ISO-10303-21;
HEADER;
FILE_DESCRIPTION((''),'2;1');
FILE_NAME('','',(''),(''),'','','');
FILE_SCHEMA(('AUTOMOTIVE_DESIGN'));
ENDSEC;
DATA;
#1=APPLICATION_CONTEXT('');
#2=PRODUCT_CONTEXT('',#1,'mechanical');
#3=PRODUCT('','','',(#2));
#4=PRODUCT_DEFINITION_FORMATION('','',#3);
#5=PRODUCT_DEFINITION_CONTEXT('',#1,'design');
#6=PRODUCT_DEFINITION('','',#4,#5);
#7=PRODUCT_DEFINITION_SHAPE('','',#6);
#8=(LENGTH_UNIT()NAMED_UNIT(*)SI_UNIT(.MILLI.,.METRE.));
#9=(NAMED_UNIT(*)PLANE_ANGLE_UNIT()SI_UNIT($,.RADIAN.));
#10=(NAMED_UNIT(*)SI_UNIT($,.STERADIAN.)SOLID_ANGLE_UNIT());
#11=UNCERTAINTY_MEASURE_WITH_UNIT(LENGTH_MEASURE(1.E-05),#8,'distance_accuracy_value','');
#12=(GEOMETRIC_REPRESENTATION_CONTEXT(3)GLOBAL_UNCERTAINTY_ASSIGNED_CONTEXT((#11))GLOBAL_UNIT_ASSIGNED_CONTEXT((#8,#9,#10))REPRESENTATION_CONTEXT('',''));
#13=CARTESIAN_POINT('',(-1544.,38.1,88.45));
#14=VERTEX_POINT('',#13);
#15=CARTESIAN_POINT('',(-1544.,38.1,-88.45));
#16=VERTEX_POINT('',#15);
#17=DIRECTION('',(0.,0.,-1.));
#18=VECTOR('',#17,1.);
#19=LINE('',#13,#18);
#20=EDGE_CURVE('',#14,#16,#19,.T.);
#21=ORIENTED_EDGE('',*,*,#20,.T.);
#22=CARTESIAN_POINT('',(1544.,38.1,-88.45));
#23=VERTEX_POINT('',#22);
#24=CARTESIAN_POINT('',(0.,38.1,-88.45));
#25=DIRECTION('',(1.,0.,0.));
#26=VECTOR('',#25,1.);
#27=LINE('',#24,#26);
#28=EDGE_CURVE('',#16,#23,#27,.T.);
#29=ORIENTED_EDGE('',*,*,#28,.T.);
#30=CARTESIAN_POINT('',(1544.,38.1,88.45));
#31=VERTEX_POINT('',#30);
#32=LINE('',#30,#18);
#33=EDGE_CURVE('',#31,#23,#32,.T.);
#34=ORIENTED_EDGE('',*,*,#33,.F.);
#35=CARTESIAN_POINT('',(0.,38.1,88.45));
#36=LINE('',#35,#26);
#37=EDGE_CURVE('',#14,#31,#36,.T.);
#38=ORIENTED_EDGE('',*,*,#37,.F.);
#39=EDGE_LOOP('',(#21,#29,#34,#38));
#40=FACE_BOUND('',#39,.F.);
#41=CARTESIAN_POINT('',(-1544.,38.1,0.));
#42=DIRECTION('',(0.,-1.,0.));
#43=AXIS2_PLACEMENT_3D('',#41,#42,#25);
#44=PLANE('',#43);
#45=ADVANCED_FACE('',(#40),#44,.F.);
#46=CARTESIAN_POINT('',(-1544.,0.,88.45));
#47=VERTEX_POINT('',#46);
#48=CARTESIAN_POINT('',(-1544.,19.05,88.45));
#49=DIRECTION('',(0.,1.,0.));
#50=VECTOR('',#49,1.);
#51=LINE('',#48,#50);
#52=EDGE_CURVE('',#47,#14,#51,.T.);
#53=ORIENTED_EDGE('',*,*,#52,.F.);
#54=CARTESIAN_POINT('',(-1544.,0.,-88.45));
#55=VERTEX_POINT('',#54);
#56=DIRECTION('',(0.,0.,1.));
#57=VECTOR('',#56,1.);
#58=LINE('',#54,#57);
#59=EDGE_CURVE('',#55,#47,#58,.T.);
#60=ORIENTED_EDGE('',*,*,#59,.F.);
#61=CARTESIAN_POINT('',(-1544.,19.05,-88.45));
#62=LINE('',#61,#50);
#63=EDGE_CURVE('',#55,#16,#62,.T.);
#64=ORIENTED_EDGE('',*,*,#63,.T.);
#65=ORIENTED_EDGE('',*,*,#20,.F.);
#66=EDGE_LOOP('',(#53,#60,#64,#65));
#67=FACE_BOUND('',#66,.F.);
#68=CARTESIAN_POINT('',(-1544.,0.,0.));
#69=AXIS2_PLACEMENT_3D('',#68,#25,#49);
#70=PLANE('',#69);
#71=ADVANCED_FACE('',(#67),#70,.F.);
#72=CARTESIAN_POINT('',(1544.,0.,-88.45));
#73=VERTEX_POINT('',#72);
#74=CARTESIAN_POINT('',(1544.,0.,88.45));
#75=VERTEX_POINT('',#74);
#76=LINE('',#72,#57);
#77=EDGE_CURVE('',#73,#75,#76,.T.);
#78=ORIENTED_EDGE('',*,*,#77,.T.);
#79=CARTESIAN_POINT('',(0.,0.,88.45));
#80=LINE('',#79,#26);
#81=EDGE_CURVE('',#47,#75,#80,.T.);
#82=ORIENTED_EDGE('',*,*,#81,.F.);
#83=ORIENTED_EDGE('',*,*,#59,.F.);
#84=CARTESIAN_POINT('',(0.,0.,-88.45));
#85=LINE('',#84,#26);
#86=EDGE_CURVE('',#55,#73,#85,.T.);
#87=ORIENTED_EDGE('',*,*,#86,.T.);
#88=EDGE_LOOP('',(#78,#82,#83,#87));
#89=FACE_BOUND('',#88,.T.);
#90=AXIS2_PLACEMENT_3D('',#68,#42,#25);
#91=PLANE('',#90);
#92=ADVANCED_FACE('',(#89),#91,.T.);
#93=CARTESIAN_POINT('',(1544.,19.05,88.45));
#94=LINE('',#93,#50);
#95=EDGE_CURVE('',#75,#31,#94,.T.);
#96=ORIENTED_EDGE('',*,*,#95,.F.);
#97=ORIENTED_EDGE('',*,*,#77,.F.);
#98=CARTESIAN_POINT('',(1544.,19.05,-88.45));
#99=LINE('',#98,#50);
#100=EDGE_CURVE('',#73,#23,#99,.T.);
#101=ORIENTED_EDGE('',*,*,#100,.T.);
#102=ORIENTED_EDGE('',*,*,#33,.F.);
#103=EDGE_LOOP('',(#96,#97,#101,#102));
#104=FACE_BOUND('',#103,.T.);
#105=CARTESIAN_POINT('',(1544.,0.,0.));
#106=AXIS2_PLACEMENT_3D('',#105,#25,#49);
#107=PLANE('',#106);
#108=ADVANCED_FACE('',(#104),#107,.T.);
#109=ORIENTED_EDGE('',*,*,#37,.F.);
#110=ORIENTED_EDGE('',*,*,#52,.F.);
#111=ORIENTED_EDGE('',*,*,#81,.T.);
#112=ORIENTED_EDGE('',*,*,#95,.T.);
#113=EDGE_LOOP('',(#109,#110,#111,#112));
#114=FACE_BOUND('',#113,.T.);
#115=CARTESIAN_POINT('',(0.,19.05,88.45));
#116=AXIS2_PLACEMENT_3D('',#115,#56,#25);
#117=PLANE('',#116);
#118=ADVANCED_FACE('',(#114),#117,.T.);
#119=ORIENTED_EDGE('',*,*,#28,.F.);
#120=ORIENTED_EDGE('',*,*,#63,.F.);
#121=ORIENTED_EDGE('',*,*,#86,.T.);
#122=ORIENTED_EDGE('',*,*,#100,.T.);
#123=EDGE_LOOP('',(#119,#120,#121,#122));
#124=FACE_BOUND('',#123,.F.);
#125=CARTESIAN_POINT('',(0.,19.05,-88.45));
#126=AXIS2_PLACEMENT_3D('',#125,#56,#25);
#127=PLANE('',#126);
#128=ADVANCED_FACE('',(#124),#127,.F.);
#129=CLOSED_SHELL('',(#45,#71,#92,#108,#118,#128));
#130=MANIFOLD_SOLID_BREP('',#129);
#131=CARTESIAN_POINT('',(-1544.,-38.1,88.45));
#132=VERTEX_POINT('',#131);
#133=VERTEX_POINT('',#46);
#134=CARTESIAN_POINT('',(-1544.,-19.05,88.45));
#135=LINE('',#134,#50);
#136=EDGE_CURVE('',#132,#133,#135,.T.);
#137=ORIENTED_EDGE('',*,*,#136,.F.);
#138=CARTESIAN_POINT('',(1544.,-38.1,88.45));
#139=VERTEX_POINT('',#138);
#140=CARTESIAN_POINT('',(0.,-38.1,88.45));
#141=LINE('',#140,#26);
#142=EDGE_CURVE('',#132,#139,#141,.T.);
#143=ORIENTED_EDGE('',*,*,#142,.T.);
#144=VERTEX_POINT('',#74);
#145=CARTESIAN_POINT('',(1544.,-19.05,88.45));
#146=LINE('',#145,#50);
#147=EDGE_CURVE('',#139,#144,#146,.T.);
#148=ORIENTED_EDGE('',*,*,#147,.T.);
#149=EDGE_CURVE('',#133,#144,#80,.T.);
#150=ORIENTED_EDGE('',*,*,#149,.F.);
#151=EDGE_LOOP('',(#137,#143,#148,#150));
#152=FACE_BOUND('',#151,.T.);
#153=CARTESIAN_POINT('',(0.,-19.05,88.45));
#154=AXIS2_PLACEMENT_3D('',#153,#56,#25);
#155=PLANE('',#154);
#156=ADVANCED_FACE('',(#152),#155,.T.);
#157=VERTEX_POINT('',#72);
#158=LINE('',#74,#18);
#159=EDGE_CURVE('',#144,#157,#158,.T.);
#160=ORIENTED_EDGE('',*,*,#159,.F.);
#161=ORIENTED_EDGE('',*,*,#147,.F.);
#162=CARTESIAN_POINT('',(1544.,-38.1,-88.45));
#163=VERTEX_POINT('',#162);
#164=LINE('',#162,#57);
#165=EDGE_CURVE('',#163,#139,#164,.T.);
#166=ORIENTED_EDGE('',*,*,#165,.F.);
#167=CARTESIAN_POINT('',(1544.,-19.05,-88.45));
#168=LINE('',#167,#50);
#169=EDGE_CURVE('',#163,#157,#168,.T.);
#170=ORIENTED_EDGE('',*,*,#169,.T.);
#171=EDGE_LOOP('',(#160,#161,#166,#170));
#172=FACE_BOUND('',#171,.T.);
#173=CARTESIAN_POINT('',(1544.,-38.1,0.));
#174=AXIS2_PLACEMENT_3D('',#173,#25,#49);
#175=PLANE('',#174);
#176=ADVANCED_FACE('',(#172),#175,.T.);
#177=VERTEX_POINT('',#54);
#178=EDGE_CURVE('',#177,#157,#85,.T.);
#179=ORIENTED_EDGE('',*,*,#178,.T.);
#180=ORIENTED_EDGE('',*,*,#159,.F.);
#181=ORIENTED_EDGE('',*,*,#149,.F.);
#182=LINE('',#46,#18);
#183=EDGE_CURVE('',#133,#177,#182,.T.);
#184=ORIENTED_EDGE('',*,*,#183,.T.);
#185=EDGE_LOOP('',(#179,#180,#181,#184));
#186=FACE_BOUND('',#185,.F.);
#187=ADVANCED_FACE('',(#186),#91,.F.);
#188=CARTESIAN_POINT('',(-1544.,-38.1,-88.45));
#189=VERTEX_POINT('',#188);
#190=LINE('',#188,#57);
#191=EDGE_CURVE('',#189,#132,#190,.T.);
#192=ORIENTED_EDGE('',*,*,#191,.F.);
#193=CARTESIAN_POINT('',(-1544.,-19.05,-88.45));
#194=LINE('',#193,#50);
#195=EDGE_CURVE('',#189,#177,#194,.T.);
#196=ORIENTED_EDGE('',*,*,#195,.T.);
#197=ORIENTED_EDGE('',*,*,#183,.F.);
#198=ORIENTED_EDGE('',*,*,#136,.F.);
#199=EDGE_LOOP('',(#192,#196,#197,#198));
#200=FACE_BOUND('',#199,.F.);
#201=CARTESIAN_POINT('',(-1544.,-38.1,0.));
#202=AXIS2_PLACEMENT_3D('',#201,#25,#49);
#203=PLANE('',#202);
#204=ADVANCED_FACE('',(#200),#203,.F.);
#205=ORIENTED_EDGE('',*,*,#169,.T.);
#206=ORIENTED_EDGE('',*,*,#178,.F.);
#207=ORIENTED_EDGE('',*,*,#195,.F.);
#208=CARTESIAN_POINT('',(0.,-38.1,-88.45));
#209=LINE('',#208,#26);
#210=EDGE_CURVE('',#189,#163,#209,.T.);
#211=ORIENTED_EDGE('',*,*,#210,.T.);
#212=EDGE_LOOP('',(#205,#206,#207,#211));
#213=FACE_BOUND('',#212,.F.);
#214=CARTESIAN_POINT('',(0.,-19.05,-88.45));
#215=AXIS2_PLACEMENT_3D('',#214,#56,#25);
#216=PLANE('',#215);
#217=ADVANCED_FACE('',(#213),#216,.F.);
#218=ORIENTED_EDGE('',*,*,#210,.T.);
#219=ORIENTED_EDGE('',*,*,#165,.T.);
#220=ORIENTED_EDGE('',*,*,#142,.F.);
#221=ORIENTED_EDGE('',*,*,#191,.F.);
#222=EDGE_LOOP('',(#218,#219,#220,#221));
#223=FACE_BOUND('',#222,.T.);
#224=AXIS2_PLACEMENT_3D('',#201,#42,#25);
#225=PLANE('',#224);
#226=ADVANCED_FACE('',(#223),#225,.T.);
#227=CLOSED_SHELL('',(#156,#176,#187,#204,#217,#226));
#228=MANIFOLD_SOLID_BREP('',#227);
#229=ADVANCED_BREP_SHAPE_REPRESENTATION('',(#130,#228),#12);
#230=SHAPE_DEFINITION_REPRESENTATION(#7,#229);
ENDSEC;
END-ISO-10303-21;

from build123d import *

# Parameters (mm, degrees)
F0_W     = 3088
F0_H     = 38.1
F1_DEPTH = 88.45
F2_DEPTH = 88.45


with BuildPart() as f1:
    # F0 (on Top) → F1 (new body, symmetric)
    with BuildSketch(Plane.XY):
        with Locations((0, 19.05)):
            Rectangle(F0_W, F0_H)
    extrude(amount=F1_DEPTH, both=True)


with BuildPart() as f2:
    # F0 (on Top) → F2 (new body, symmetric)
    with BuildSketch(Plane.XY):
        with Locations((0, -19.05)):
            Rectangle(F0_W, F0_H)
    extrude(amount=F2_DEPTH, both=True)


solid = Compound([f1.part, f2.part])
